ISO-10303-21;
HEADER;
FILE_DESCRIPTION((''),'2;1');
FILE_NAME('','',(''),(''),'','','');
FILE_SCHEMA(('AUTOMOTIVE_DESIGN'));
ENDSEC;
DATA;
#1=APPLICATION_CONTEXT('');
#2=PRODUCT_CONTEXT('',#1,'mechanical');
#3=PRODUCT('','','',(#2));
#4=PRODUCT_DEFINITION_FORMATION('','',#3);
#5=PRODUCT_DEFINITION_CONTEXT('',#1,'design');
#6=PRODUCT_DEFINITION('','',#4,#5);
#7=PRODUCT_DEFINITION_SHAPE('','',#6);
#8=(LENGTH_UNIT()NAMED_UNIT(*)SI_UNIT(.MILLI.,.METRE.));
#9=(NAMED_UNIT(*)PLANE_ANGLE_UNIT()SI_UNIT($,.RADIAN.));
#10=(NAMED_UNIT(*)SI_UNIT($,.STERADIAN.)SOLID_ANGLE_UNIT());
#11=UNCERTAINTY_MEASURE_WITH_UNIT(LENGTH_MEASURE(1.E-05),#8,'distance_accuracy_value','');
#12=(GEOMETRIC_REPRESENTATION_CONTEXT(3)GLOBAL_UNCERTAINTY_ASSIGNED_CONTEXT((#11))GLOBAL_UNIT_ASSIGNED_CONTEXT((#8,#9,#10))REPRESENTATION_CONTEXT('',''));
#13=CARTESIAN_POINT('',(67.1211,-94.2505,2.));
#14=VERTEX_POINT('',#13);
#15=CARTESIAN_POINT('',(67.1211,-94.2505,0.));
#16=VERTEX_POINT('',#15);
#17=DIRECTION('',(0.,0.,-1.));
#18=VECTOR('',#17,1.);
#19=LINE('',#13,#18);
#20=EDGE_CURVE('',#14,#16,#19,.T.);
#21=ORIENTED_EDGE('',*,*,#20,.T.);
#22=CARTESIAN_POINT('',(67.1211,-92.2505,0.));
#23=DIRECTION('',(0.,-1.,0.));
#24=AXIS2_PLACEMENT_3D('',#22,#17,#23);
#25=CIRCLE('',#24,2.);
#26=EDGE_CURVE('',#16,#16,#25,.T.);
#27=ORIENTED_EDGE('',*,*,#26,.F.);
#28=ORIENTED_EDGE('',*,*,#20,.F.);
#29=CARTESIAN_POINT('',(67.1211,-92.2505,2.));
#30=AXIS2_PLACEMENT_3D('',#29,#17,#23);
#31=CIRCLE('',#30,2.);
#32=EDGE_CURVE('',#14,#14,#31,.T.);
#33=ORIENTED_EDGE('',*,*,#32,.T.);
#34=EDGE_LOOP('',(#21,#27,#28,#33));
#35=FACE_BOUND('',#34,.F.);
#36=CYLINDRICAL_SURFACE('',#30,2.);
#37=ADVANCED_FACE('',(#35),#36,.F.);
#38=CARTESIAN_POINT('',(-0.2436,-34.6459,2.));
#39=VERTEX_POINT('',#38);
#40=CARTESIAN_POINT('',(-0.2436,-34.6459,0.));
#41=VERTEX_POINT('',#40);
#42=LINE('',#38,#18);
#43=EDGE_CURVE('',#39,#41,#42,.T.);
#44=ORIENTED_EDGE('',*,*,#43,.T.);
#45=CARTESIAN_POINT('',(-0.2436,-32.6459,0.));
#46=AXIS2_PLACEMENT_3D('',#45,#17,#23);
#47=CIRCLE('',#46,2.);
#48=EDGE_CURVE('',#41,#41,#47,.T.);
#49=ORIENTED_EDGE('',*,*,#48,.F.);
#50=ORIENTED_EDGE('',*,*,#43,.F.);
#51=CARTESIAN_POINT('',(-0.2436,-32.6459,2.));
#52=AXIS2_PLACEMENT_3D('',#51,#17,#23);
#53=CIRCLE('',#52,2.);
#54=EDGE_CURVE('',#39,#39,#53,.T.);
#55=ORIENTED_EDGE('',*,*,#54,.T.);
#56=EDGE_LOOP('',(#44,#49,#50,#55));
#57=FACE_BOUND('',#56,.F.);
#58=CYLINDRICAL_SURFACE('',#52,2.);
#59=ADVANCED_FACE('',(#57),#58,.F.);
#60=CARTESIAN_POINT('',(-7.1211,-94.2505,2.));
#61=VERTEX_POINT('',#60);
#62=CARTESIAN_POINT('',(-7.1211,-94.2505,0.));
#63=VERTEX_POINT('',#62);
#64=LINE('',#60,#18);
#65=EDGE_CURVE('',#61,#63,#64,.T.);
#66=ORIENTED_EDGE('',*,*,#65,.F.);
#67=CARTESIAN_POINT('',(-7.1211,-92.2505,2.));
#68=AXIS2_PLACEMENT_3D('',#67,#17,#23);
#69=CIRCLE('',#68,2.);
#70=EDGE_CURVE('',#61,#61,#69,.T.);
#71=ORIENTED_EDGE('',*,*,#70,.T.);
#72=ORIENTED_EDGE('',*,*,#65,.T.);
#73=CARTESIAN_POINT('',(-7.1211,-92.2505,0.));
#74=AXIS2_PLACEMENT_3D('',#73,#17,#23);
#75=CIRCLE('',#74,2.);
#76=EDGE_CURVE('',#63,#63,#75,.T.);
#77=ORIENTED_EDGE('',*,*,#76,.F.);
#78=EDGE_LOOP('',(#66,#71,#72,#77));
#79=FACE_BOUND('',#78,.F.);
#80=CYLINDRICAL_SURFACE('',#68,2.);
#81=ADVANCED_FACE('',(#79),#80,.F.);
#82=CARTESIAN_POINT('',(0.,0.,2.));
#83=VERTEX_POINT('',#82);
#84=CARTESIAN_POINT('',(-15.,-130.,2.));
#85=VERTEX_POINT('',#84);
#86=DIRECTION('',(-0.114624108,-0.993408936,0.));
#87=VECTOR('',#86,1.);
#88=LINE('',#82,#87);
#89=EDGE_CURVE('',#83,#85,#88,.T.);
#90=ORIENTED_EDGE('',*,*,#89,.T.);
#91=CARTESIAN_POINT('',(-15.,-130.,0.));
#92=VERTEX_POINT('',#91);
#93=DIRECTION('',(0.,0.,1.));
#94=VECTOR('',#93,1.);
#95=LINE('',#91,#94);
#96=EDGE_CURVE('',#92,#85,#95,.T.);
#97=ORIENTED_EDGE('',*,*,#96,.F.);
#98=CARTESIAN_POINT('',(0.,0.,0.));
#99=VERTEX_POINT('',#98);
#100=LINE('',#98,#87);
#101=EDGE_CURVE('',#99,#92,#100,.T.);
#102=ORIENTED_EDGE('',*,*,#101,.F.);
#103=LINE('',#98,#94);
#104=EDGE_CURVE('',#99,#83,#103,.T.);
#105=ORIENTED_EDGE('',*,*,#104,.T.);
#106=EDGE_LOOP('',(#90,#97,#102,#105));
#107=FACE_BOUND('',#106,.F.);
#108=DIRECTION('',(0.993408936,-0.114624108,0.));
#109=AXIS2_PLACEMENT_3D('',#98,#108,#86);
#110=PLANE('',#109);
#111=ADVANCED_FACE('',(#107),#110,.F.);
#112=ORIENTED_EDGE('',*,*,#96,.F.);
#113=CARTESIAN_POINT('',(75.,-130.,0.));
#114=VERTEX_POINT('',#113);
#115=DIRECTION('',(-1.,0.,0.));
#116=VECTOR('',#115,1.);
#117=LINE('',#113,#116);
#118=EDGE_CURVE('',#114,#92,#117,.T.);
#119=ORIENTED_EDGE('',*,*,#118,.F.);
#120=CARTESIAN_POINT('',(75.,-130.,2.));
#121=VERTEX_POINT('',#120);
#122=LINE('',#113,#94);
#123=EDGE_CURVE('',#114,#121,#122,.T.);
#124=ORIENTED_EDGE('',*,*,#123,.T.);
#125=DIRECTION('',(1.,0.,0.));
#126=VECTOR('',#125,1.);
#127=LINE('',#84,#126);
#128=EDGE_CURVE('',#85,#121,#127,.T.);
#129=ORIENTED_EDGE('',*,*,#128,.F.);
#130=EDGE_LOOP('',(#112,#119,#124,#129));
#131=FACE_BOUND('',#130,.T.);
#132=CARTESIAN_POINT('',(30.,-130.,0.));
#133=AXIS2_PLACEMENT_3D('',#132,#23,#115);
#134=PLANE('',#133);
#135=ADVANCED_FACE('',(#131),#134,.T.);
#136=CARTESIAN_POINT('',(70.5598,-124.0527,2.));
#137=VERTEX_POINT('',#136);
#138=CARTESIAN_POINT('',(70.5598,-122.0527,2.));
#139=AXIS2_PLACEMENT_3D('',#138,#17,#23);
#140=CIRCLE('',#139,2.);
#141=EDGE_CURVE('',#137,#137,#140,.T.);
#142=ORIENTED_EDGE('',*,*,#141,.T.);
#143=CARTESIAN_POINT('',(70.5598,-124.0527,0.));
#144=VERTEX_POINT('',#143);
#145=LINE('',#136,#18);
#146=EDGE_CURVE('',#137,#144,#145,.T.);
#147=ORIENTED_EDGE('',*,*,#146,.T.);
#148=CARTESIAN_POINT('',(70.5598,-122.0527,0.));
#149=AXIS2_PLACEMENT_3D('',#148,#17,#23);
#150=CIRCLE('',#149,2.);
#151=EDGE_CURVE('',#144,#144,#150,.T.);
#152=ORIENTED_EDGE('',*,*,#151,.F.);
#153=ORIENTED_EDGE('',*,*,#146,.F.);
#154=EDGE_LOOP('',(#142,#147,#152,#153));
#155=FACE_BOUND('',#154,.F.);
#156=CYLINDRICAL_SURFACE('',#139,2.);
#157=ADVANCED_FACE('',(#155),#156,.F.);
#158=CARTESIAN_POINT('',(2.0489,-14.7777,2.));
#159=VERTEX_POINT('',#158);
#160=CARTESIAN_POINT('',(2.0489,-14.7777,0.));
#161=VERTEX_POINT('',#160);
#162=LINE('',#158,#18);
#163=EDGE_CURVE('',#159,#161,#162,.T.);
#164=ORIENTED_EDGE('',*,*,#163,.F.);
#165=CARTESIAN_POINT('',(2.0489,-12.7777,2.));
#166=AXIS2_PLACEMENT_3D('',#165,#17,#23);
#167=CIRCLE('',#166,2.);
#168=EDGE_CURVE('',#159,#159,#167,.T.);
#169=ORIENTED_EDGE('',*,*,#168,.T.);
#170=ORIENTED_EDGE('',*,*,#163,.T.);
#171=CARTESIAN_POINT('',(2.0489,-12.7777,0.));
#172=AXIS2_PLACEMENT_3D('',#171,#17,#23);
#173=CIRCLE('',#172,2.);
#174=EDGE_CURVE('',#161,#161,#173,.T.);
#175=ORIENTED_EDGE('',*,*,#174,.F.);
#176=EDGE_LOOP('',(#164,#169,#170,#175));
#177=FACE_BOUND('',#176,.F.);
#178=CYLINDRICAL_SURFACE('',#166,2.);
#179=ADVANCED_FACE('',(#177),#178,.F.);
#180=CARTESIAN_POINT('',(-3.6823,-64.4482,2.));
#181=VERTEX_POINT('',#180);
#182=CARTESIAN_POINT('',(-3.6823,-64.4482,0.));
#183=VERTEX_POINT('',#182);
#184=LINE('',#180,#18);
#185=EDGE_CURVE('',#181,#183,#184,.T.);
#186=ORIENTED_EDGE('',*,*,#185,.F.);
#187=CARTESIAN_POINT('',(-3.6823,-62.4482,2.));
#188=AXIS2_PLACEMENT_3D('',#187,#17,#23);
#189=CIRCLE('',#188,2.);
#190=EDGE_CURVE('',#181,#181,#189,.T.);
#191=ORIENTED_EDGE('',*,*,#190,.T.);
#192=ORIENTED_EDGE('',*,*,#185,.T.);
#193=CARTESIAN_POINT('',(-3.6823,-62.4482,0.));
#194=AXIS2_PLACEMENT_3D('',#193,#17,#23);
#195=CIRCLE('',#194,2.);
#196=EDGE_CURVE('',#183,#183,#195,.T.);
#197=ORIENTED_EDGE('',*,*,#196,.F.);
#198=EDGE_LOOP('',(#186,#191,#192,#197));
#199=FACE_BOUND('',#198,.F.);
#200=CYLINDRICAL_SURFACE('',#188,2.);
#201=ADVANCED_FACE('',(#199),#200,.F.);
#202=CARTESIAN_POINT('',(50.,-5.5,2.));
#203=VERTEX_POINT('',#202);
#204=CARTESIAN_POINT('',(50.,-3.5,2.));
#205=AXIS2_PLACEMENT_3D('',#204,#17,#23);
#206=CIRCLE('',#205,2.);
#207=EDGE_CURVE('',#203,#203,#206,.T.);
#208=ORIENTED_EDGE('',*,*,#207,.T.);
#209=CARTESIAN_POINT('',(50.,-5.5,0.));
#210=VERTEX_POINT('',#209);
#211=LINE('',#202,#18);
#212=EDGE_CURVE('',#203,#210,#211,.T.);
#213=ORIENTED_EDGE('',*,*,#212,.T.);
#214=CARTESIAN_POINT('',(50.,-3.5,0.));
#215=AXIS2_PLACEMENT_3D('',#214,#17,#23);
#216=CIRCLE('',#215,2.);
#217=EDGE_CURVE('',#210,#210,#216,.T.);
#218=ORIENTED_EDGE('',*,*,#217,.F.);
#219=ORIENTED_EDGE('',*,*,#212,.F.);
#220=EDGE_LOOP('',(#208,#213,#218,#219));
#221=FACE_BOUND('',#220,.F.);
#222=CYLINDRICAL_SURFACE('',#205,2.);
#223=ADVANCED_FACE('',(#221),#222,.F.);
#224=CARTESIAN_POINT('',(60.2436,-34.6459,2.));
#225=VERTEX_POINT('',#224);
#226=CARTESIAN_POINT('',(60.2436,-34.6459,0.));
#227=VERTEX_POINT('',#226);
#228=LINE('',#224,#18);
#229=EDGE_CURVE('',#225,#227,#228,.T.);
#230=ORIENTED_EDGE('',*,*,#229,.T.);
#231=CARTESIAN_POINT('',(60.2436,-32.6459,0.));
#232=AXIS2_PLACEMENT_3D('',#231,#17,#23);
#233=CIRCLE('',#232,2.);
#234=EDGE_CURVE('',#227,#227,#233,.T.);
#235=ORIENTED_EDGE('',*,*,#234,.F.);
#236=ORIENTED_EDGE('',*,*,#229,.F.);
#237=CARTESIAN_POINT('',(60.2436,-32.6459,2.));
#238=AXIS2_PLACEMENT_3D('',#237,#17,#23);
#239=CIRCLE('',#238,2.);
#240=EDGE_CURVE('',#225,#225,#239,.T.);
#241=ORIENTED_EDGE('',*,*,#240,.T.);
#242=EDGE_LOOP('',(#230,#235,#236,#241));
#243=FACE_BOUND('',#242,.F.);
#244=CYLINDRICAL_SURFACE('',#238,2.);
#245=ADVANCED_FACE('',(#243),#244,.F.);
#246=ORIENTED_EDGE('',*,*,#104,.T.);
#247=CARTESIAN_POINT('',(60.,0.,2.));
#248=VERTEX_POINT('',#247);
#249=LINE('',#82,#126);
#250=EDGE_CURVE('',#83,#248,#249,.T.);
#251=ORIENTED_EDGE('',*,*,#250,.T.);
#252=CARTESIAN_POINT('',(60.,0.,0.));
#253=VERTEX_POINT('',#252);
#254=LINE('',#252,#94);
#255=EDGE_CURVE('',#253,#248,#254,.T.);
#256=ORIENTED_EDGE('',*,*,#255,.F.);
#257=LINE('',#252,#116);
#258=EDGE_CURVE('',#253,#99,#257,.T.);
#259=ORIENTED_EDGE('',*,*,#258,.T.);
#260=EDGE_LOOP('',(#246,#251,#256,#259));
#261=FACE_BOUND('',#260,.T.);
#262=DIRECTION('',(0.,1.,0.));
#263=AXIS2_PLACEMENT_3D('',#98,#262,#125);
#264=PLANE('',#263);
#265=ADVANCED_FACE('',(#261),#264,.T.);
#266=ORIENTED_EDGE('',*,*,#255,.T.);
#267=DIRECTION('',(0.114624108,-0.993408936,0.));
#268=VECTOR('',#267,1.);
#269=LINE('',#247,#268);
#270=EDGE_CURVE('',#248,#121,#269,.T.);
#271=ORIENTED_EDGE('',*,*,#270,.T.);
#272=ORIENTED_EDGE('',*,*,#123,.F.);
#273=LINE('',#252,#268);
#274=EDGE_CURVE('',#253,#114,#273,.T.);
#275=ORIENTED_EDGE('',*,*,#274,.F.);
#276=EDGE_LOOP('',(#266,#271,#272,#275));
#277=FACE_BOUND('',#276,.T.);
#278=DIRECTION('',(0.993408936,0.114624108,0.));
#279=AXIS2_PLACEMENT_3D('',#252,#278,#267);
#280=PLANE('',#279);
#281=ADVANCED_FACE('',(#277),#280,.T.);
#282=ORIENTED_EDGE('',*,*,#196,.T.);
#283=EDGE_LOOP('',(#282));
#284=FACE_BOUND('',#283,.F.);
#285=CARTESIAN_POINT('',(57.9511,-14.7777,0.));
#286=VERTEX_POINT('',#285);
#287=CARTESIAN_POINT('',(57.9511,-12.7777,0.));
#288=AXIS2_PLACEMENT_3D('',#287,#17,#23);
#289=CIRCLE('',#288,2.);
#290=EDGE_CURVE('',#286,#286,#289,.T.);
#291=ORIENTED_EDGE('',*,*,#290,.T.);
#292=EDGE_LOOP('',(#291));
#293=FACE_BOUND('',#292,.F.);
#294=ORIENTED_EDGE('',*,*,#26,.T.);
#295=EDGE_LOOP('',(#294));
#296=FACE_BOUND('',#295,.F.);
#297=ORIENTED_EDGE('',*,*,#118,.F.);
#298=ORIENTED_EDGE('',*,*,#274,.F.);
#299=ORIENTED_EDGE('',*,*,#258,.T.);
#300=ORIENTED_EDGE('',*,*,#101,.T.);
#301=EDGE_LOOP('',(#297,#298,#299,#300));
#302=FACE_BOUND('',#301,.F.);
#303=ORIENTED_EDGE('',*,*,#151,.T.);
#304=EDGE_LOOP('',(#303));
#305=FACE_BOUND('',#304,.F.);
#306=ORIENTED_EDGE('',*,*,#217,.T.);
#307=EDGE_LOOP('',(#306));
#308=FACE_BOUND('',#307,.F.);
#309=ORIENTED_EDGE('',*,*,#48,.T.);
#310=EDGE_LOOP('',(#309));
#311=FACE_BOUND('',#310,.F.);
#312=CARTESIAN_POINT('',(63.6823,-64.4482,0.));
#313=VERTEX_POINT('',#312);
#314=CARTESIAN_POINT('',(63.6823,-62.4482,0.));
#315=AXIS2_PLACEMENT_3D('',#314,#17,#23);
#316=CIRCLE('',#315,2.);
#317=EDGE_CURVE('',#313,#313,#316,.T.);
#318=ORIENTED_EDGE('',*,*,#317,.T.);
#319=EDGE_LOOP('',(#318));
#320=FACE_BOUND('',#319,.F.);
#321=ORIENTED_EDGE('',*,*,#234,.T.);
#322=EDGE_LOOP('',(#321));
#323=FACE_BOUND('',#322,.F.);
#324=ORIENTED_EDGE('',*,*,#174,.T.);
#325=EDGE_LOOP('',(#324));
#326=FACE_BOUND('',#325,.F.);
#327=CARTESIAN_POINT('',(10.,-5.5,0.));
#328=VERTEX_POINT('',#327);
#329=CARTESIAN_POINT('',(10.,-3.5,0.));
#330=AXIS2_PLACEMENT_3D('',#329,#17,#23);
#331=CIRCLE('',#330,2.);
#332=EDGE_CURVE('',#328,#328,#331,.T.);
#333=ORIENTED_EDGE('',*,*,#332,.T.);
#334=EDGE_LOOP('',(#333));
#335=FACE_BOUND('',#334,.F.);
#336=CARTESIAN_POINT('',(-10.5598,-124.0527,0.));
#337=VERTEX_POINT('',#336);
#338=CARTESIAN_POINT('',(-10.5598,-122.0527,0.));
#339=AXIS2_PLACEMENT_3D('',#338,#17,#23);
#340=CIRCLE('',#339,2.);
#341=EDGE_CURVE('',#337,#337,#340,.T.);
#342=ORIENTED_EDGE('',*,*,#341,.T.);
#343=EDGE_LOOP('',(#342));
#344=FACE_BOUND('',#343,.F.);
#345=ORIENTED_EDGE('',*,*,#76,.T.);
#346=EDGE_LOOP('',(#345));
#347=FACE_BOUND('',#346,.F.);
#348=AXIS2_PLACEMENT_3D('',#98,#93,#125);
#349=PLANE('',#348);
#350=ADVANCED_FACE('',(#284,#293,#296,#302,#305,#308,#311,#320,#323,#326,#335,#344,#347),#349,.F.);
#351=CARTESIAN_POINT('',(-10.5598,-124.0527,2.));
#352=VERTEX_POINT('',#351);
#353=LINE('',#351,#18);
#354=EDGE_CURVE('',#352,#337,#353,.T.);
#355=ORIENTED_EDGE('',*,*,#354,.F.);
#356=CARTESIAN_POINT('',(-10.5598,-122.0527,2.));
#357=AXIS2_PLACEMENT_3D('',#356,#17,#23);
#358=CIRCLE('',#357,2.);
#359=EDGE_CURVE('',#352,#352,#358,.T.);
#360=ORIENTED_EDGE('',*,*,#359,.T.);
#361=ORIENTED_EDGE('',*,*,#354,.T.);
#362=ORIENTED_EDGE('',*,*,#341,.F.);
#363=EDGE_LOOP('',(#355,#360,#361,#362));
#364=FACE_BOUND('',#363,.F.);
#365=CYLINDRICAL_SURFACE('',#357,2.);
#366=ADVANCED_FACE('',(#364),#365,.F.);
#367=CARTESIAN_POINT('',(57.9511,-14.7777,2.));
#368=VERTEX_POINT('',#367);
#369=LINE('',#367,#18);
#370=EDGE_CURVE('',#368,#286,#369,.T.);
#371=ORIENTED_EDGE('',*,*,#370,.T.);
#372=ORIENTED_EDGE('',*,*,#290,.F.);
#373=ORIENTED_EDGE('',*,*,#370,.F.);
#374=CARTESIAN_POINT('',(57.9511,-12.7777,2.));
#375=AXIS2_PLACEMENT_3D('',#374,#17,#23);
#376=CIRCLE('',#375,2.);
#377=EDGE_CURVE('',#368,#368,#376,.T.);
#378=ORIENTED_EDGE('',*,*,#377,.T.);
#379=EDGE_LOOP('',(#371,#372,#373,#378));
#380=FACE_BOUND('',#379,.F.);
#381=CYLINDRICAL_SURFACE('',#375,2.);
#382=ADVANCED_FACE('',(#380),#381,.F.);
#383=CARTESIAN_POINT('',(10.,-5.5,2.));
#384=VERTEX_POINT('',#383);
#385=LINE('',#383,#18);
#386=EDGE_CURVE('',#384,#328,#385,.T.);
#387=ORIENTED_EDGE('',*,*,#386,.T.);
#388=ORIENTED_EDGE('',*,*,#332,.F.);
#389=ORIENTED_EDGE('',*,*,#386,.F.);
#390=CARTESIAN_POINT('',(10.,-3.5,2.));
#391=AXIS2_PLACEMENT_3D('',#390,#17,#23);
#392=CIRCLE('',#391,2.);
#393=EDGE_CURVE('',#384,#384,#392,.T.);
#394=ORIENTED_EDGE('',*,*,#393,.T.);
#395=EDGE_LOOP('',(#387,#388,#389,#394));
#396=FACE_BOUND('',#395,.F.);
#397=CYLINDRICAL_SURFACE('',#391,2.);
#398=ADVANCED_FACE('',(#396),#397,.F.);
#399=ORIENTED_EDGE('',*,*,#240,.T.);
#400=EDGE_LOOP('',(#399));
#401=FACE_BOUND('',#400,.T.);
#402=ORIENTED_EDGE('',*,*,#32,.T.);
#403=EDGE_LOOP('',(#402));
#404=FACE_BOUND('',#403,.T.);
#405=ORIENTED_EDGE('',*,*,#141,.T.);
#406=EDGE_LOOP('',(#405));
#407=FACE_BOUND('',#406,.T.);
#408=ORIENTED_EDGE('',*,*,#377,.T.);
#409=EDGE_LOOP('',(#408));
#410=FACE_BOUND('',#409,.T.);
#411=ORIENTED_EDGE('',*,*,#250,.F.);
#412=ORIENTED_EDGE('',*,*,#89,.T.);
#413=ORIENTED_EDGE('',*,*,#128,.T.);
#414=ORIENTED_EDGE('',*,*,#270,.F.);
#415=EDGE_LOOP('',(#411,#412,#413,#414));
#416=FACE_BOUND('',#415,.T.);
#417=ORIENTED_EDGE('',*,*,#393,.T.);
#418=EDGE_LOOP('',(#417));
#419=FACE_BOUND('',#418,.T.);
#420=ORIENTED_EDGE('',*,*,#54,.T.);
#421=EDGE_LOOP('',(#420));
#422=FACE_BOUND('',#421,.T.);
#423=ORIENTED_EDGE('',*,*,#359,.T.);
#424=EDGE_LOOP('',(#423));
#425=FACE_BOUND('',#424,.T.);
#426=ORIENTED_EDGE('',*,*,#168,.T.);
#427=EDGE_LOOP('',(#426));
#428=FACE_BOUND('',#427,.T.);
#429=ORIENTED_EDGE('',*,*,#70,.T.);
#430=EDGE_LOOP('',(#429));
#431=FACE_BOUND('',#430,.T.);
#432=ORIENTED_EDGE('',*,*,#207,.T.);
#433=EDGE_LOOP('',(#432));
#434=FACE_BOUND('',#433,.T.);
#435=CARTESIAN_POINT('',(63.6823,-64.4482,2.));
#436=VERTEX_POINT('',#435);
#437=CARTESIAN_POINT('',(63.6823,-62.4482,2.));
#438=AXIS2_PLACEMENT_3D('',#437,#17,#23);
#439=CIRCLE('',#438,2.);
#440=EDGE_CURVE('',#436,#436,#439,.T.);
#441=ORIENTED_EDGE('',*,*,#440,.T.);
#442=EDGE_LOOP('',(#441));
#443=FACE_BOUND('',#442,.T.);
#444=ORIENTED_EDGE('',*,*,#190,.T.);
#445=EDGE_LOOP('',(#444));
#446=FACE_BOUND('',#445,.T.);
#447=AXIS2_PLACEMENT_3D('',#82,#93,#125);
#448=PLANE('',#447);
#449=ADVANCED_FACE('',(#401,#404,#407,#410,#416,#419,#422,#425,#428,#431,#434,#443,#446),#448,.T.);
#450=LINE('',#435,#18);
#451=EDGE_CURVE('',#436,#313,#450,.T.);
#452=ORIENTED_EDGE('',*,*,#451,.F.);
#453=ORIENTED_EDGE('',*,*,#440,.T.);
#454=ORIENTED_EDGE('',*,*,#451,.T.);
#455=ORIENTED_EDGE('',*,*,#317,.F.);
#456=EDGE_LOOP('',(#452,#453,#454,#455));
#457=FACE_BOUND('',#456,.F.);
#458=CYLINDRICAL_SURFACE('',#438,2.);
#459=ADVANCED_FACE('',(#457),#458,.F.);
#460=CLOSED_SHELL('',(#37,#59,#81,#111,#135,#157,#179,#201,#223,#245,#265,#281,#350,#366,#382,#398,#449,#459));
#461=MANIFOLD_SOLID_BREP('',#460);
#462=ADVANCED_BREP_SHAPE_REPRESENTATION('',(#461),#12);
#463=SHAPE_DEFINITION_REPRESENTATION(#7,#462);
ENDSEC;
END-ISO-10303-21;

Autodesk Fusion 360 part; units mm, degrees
sketch "Sketch1" plane through (0, 0, 0) normal (0, 0, 1) x (1, 0, 0)
  line L0 (0, 0) -> (60, 0)
  line L1 (30, 0) -> (30, -130)
  line L2 (30, -130) -> (75, -130)
  line L3 (30, -130) -> (-15, -130)
  line L4 (0, 0) -> (-15, -130)
  line L5 (60, 0) -> (75, -130)
  dimension "d1" = 60
  dimension "d2" = 130
  dimension "d3" = 45
  dimension "d4" = 45
extrude "Extrude1" add sketch "Sketch1" along normal blind 2
sketch "Sketch2" plane through (0, 0, 2) normal (0, 0, 1) x (-1, 0, 0)
  line L0 (0, 0) -> (15, 130)
  line L1 (15, 130) -> (-75, 130)
  line L2 (-75, 130) -> (-60, 0)
  line L3 (-60, 0) -> (0, 0)
  line L4 (-30, 0) -> (-30, 3.5)
  line L5 (-60, 0) -> (-50, 0)
  line L6 (-50, 0) -> (-50, 3.5)
  line L7 (-30, 0) -> (-30, 130)
  line L8 (-62.991, 25.9222) -> (-59.5141, 26.3233)
  line L9 (-64.2385, 36.7338) -> (-60.7616, 37.135)
  line L10 (-59.5141, 26.3233) -> (-71.4768, 130)
  line L11 (-60.7616, 37.135) -> (-56.4649, 0)
  line L12 (-60.7616, 37.135) -> (-23.3789, 37.135) construction
  line L13 (-71.4768, 130) -> (-70.5598, 122.0527)
  line L14 (-70.5598, 122.0527) -> (-67.1211, 92.2505)
  line L15 (-67.1211, 92.2505) -> (-63.6823, 62.4482)
  line L16 (-63.6823, 62.4482) -> (-60.2436, 32.6459)
  line L17 (-60.2436, 32.6459) -> (-57.9511, 12.7777)
  point P0 (11.4768, 130)
  point P1 (10.5598, 122.0527)
  point P2 (7.1211, 92.2505)
  point P3 (3.6823, 62.4482)
  point P4 (0.2436, 32.6459)
  point P5 (-2.0489, 12.7777)
  point P6 (-10, 3.5)
  dimension "d7" = 3.5
  dimension "d8" = 10
  dimension "d9" = 3.5
  dimension "d10" = 3.5
  dimension "d11" = 3.5
  dimension "d12" = 83.4
  dimension "d13" = 8
  dimension "d14" = 30
  dimension "d15" = 30
  dimension "d16" = 30
  dimension "d17" = 20
hole "Hole1" at (10, -3.5, 2) at (2.0489, -12.7777, 2) at (-0.2436, -32.6459, 2) at (-3.6823, -62.4482, 2) at (-7.1211, -92.2505, 2) at (-10.5598, -122.0527, 2) at (50, -3.5, 2) at (57.9511, -12.7777, 2) at (63.6823, -62.4482, 2) at (67.1211, -92.2505, 2) at (70.5598, -122.0527, 2) at (60.2436, -32.6459, 2) direction (0, 0, -1) diameter 4 depth 50 tip angle 180
